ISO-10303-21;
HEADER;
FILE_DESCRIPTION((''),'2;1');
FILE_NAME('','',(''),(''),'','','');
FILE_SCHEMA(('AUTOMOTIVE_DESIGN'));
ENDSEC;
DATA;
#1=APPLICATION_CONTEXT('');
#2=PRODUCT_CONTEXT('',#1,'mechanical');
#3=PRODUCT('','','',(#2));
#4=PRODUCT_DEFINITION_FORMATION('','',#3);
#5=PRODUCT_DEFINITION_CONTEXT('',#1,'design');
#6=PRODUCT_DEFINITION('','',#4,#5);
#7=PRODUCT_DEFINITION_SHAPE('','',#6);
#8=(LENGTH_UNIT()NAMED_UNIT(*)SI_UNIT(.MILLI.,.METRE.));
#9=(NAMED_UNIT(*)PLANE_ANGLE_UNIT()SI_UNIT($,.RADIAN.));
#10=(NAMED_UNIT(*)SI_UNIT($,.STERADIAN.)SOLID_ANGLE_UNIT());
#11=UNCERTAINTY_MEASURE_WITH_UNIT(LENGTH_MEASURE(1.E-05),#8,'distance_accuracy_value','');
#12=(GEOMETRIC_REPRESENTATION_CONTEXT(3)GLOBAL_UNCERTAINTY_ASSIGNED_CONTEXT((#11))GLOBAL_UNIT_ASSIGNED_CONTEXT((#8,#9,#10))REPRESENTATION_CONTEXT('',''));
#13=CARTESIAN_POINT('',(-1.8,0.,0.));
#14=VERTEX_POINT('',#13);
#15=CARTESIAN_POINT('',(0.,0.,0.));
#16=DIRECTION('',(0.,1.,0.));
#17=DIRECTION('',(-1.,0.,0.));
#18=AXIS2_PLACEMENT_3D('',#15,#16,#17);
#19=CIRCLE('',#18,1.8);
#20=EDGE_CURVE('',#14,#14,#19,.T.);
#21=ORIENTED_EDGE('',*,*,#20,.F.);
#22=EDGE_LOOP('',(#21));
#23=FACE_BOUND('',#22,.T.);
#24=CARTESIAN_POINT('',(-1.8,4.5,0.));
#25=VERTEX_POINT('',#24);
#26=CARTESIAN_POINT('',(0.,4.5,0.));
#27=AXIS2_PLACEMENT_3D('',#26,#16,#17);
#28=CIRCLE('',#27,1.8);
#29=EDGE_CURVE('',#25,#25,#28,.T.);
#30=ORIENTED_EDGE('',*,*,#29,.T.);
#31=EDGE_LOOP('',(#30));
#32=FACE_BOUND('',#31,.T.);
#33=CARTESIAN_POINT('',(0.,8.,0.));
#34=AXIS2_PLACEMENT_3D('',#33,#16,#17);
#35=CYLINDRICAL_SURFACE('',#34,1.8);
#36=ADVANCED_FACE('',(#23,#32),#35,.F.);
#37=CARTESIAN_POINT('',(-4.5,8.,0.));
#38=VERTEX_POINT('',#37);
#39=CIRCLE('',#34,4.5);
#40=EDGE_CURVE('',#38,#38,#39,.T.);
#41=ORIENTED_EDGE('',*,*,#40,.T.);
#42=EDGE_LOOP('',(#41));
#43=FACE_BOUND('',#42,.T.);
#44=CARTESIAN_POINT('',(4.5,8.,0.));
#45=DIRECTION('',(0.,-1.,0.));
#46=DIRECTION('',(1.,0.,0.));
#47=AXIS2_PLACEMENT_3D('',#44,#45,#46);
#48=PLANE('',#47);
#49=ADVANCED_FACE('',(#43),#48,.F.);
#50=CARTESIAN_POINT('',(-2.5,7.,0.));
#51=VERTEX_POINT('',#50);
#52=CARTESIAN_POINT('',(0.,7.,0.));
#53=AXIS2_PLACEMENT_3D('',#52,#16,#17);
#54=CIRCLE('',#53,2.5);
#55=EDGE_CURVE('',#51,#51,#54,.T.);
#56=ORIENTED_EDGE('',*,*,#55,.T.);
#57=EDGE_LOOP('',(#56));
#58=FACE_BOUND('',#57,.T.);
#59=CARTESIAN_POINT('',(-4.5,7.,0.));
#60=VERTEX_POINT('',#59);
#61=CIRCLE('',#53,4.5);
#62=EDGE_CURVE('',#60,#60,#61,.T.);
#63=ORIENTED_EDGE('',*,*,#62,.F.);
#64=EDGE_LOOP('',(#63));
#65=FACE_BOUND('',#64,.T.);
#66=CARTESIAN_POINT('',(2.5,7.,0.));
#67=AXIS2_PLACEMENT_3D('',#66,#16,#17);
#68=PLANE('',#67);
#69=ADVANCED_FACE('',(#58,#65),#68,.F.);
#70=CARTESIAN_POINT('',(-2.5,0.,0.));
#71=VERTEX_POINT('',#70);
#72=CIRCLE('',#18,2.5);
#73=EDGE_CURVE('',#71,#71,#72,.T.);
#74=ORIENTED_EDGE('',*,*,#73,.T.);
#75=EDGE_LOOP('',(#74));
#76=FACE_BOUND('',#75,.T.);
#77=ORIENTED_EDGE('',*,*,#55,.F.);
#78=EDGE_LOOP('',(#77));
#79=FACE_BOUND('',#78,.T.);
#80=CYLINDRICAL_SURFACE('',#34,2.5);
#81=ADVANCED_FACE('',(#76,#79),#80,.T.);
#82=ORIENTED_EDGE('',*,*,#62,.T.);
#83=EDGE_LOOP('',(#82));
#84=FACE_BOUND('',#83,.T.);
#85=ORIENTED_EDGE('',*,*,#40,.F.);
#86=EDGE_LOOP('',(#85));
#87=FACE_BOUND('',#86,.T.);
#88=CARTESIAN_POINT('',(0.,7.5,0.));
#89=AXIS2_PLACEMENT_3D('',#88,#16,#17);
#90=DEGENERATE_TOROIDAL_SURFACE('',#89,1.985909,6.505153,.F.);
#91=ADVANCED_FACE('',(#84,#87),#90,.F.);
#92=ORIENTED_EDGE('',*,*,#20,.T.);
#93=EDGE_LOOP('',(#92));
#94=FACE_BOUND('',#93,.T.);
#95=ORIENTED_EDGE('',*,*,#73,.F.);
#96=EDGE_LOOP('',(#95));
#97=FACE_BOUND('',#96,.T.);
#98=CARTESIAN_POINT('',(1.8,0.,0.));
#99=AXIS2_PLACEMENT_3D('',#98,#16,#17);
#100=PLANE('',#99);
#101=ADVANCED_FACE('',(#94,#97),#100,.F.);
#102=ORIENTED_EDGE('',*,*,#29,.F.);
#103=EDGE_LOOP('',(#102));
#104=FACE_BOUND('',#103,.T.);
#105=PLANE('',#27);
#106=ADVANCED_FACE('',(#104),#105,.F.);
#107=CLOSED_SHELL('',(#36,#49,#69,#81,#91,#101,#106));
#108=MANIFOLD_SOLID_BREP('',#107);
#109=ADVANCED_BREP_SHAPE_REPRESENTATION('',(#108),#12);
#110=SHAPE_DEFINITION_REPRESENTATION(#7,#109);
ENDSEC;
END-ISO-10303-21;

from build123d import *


with BuildPart() as part:
    # Sketch1 → Revolve1 (revolve)
    with BuildSketch(Plane.XY, mode=Mode.PRIVATE) as revolve1_sk:
        with BuildLine():
            Line((0, 8), (0, 4.5))
            Line((0, 4.5), (1.8, 4.5))
            Line((1.8, 4.5), (1.8, 0))
            Line((1.8, 0), (2.5, 0))
            Line((2.5, 0), (2.5, 7))
            Line((2.5, 7), (4.5, 7))
            ThreePointArc((4.5, 7), (4.519244001, 7.5), (4.5, 8))
            Line((4.5, 8), (0, 8))
        make_face()
    revolve(revolve1_sk.sketch.rotate(Axis((0, 8, 0), (0, -1, 0)), 180), axis=Axis((0, 8, 0), (0, -1, 0)))


solid = part.part
